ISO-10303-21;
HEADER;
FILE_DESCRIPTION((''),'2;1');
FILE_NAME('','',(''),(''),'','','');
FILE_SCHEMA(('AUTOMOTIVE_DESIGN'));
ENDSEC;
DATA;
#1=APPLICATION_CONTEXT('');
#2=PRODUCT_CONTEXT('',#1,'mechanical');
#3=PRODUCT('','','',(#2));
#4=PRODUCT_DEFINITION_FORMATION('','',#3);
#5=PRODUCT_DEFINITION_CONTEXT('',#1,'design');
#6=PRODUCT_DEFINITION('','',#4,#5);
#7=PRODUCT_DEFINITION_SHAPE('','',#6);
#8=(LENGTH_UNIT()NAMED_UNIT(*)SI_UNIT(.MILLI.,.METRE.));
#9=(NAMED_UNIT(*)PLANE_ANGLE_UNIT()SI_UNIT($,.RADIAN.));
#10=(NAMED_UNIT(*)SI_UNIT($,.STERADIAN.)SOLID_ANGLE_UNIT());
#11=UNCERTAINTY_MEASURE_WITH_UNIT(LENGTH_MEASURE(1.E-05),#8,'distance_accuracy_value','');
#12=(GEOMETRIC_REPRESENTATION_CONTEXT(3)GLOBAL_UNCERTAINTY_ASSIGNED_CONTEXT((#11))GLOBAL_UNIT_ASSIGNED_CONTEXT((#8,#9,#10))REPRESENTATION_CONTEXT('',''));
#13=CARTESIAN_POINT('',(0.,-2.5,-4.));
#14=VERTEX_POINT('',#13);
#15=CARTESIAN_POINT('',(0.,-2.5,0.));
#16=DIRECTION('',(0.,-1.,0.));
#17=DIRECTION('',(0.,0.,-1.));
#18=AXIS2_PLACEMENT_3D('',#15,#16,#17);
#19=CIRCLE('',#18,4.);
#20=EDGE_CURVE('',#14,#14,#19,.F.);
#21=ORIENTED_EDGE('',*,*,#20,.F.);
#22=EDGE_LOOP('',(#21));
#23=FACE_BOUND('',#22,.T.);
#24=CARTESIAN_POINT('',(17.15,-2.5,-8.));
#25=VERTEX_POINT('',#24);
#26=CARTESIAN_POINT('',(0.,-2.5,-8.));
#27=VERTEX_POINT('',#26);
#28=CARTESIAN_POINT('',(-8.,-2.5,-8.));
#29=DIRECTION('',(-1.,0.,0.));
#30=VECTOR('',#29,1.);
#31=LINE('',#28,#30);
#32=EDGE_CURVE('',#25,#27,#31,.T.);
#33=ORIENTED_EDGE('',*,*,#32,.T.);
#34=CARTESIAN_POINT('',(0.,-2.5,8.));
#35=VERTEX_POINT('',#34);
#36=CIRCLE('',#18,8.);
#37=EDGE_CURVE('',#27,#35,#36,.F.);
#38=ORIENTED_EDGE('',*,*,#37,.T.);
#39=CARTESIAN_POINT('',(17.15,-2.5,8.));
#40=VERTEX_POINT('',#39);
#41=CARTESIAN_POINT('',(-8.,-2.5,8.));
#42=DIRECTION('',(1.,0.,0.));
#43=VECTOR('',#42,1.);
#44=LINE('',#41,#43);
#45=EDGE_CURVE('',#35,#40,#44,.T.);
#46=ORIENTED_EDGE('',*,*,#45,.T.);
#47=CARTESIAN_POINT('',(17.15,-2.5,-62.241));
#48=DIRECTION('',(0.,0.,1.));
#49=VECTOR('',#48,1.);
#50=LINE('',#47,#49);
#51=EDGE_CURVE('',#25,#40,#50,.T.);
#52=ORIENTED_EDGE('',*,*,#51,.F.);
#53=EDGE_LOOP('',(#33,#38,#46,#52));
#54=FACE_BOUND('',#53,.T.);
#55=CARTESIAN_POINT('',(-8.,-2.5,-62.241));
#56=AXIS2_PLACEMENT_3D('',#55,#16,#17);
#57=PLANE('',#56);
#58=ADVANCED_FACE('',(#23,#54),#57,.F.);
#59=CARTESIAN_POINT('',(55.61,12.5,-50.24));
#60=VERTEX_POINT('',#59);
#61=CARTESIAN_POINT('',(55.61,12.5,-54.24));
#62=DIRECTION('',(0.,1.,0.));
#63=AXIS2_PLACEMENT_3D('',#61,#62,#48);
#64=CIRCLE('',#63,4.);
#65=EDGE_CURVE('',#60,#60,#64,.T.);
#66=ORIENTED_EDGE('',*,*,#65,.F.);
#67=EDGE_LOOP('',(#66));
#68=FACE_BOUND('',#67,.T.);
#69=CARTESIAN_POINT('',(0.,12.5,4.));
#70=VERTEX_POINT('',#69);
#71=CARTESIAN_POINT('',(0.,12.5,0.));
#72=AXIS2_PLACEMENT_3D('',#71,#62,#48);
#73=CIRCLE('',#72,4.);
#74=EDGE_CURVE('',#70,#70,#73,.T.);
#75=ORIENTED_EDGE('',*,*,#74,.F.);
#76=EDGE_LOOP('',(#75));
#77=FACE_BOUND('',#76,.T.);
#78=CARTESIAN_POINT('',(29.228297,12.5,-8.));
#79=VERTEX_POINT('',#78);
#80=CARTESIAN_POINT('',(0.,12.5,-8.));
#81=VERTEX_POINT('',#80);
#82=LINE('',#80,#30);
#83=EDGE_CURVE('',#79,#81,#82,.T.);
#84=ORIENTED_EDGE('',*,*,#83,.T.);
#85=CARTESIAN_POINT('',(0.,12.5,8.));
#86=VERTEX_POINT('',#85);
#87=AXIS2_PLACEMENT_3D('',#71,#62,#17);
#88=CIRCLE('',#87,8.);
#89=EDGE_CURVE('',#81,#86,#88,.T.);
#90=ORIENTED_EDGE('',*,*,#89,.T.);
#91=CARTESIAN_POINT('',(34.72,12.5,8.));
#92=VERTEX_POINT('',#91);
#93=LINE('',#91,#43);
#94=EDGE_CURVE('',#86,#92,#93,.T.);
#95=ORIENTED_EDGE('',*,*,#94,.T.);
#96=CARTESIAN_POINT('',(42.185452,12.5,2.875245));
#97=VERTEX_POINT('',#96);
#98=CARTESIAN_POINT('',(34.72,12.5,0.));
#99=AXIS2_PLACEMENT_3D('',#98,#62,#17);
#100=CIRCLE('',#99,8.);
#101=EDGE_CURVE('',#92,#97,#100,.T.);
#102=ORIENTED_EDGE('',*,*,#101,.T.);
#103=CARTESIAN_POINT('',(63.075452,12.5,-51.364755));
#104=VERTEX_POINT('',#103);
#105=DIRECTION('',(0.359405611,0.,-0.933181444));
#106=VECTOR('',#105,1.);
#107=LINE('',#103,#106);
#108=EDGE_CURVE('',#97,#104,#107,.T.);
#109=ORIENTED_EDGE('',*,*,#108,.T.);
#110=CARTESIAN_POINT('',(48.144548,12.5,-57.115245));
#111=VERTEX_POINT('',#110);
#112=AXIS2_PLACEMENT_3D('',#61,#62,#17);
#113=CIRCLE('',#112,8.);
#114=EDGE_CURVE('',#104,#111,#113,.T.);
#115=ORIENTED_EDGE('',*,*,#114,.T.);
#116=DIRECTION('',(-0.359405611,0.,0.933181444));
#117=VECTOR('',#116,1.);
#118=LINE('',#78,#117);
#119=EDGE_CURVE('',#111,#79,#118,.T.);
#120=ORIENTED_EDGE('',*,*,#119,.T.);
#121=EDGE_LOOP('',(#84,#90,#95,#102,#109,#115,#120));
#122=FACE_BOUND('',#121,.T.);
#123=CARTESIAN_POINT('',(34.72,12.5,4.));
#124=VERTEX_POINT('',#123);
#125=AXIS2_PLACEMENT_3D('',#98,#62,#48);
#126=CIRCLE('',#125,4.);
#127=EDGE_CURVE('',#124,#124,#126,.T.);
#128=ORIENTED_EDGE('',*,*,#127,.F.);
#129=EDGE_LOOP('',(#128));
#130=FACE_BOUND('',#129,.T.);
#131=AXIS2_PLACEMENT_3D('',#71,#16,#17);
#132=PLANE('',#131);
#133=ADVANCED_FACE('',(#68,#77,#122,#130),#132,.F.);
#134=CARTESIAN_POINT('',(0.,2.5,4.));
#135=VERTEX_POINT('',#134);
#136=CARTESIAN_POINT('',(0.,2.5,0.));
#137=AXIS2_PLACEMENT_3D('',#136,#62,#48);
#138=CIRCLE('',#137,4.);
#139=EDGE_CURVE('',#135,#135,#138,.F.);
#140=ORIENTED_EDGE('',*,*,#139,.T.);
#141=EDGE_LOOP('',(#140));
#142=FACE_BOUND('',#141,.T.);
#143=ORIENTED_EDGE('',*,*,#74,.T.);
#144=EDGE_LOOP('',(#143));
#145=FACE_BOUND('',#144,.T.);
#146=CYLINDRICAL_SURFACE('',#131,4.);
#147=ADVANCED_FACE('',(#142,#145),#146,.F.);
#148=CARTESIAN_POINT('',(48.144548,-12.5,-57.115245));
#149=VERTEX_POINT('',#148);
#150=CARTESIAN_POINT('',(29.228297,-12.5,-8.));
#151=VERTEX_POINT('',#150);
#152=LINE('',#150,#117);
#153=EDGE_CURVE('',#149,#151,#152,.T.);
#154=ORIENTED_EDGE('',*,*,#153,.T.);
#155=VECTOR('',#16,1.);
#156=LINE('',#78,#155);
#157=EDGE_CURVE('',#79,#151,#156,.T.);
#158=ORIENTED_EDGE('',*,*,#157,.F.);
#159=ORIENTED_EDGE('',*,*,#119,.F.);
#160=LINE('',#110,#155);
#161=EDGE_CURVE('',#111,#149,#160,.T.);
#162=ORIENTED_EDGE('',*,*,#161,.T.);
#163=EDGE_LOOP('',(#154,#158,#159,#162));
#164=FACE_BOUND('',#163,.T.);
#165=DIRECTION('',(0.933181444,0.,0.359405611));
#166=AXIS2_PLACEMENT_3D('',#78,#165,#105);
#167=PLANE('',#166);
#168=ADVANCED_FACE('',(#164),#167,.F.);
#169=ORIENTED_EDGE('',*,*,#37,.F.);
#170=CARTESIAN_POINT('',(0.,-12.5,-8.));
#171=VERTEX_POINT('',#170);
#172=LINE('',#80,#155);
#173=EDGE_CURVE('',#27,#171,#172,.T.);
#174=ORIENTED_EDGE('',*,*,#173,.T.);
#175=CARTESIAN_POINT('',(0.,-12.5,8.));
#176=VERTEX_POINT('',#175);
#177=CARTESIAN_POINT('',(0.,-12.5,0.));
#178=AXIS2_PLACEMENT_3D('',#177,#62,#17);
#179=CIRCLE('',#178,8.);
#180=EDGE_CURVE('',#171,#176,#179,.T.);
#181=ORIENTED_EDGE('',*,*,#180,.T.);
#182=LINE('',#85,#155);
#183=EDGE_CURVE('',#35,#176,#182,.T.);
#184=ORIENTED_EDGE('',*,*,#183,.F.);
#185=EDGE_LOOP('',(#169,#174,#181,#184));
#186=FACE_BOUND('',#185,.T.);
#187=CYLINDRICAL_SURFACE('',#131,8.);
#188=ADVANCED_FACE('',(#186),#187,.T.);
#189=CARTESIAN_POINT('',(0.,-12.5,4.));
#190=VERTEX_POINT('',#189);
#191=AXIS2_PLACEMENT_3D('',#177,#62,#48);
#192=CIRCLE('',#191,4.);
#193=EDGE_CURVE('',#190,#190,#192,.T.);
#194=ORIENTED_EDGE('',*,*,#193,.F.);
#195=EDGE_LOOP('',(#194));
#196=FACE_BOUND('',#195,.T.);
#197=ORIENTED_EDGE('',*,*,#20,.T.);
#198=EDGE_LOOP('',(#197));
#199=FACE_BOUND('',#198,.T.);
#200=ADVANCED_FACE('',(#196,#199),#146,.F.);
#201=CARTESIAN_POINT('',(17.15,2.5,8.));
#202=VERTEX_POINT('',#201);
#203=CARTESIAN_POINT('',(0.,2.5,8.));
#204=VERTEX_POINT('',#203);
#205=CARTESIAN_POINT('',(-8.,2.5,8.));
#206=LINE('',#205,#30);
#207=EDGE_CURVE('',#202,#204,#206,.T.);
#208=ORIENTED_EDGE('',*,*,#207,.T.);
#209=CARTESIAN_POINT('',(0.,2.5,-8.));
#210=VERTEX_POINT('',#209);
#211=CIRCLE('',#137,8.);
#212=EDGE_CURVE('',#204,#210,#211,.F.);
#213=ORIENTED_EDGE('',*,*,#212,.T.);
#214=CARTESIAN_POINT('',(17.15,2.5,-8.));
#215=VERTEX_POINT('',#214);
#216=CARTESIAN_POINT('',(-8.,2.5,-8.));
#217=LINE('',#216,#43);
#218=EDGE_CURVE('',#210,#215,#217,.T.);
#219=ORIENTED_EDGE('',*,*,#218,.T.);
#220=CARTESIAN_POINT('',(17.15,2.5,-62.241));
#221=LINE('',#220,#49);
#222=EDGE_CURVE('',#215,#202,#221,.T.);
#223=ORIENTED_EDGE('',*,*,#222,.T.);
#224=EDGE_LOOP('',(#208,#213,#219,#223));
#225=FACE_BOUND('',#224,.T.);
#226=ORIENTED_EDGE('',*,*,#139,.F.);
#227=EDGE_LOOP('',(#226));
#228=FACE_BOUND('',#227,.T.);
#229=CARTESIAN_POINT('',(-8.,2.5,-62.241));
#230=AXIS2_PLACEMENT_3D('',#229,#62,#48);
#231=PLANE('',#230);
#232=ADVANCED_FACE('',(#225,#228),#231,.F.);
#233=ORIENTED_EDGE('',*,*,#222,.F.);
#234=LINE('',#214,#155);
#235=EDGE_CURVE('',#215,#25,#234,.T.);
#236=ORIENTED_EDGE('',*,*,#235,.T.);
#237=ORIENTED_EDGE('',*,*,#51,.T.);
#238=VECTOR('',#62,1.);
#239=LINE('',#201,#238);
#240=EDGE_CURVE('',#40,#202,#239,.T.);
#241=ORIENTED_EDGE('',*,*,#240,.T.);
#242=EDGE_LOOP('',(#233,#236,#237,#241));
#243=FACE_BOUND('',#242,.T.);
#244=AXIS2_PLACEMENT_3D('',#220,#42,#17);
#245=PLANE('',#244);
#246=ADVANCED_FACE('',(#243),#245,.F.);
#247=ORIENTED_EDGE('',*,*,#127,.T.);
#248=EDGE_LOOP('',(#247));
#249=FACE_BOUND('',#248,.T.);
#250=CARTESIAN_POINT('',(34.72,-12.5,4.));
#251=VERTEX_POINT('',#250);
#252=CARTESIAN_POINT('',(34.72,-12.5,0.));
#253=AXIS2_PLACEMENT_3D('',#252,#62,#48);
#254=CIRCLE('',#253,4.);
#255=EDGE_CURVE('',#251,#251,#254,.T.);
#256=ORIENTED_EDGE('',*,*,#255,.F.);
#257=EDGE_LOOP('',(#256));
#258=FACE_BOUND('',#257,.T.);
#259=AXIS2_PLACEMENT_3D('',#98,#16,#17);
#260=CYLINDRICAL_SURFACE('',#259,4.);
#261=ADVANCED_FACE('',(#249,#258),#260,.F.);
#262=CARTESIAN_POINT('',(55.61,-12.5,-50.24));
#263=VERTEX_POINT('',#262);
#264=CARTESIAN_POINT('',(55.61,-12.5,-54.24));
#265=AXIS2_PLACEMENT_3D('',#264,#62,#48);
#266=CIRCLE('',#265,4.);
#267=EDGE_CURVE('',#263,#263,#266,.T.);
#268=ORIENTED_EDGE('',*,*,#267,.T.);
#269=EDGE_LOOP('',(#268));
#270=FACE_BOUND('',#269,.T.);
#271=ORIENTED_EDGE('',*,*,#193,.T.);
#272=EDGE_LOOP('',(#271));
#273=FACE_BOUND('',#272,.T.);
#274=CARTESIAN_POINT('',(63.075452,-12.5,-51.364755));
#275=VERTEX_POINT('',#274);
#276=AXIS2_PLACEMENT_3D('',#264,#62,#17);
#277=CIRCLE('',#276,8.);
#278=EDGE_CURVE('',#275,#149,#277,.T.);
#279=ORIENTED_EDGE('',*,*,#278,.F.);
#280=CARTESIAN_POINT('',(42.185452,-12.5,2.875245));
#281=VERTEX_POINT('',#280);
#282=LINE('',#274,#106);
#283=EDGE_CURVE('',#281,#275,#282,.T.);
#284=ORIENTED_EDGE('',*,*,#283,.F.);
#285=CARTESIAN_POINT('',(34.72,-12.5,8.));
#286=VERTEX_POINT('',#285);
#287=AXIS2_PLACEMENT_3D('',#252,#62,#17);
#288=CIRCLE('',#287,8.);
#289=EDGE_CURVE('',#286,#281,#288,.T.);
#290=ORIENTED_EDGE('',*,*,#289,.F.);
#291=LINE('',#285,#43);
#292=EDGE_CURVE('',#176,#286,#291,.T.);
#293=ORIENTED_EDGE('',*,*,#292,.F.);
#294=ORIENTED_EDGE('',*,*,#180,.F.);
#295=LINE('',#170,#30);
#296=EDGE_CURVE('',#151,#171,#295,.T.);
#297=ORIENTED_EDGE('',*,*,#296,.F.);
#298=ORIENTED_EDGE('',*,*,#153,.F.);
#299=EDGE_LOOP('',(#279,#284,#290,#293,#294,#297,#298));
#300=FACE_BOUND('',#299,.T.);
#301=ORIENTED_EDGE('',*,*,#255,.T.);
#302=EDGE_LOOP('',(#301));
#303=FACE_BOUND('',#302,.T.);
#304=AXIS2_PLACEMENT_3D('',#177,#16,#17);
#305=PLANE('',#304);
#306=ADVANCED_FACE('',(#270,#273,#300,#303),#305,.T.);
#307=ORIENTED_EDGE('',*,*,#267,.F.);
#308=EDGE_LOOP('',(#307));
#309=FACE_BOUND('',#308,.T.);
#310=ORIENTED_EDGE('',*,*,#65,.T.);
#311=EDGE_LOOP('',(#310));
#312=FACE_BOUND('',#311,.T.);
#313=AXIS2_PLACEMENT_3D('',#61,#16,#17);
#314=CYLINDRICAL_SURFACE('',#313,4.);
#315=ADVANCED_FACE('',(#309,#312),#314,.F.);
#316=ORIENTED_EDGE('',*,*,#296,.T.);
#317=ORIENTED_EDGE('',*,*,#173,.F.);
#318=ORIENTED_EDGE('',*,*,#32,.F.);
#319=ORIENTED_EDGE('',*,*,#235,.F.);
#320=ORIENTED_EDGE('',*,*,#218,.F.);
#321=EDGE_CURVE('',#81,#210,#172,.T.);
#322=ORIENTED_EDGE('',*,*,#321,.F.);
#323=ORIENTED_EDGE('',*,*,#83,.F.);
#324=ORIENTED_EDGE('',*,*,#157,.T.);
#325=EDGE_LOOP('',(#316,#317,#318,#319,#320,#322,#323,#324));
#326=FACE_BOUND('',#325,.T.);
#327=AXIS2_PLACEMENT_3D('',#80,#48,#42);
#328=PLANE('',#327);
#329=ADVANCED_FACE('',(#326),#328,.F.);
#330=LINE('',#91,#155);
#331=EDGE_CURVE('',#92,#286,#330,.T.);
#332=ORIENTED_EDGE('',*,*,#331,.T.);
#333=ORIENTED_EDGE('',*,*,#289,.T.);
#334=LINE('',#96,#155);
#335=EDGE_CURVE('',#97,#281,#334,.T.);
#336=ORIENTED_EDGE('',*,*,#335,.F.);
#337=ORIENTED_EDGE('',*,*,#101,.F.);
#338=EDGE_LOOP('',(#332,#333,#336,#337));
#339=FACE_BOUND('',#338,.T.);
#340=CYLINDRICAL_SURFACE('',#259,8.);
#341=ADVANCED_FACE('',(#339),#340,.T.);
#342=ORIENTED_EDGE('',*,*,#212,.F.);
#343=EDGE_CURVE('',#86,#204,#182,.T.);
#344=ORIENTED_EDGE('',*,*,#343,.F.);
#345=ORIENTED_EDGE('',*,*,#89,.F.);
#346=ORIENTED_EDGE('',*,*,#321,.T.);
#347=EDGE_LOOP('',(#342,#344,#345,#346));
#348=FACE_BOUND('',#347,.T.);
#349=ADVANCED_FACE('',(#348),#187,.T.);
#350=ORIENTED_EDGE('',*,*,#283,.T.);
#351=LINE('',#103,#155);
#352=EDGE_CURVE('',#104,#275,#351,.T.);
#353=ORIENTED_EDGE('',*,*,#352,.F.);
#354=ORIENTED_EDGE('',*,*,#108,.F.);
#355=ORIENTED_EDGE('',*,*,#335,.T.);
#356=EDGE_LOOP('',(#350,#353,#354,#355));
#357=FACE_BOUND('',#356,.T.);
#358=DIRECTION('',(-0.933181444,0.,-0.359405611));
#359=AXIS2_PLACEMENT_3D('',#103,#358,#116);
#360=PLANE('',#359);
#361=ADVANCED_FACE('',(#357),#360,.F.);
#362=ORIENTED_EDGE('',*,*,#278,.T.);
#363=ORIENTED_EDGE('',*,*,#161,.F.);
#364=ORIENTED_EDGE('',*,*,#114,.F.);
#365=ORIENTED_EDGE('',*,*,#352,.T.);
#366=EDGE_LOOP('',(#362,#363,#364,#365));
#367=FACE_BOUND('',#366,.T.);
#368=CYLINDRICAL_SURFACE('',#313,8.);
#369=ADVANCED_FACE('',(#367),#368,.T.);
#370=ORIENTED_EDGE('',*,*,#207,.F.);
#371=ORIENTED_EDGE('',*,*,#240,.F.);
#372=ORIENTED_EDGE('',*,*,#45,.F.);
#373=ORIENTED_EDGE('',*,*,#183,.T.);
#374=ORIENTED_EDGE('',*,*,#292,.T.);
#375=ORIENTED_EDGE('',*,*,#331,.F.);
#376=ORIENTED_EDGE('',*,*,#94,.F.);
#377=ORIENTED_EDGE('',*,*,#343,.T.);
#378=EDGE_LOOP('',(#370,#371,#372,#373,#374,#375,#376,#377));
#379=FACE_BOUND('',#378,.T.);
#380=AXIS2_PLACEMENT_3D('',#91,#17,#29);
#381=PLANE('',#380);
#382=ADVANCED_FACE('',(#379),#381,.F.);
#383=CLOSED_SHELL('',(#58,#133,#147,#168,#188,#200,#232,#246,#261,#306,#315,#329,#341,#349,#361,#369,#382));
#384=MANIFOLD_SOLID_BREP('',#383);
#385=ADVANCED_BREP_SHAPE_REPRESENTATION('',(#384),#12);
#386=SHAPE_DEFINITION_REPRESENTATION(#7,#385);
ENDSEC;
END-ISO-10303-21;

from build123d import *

# Parameters (mm, degrees)
SKETCH_1_R          = 4
EXTRUDE_1_DEPTH     = 12.5
SKETCH_2_W          = 25.15
SKETCH_2_H          = 5
CUT_EXTRUDE_1_DEPTH = 16


with BuildPart() as part:
    # 草图1 → 凸台-拉伸1 (new, symmetric)
    with BuildSketch(Plane(origin=(0, 0, 0), x_dir=(1, 0, 0), z_dir=(0, 1, 0))):
        with BuildLine():
            Line((0, 8), (29.228297239, 8))
            Line((29.228297239, 8), (48.144548452, 57.11524489))
            ThreePointArc((48.144548452, 57.11524489), (58.48524489, 61.705451548), (63.075451548, 51.36475511))
            Line((63.075451548, 51.36475511), (42.185451548, -2.87524489))
            ThreePointArc((42.185451548, -2.87524489), (39.247584393, -6.595527239), (34.72, -8))
            Line((34.72, -8), (0, -8))
            ThreePointArc((0, -8), (-8, 0), (0, 8))
        make_face()
        with Locations(Location((0, 0, 0), (0, 0, 270))):
            Circle(SKETCH_1_R, mode=Mode.SUBTRACT)
        with Locations(Location((34.72, 0, 0), (0, 0, 270))):
            Circle(SKETCH_1_R, mode=Mode.SUBTRACT)
        with Locations(Location((55.61, 54.24, 0), (0, 0, 270))):
            Circle(SKETCH_1_R, mode=Mode.SUBTRACT)
    extrude(amount=EXTRUDE_1_DEPTH, both=True)

    # 草图2 → 切除-拉伸1 (cut)
    with BuildSketch(Plane.XY.offset(8)):
        with Locations((4.575, 0)):
            Rectangle(SKETCH_2_W, SKETCH_2_H)
    extrude(amount=-CUT_EXTRUDE_1_DEPTH, mode=Mode.SUBTRACT)


solid = part.part
